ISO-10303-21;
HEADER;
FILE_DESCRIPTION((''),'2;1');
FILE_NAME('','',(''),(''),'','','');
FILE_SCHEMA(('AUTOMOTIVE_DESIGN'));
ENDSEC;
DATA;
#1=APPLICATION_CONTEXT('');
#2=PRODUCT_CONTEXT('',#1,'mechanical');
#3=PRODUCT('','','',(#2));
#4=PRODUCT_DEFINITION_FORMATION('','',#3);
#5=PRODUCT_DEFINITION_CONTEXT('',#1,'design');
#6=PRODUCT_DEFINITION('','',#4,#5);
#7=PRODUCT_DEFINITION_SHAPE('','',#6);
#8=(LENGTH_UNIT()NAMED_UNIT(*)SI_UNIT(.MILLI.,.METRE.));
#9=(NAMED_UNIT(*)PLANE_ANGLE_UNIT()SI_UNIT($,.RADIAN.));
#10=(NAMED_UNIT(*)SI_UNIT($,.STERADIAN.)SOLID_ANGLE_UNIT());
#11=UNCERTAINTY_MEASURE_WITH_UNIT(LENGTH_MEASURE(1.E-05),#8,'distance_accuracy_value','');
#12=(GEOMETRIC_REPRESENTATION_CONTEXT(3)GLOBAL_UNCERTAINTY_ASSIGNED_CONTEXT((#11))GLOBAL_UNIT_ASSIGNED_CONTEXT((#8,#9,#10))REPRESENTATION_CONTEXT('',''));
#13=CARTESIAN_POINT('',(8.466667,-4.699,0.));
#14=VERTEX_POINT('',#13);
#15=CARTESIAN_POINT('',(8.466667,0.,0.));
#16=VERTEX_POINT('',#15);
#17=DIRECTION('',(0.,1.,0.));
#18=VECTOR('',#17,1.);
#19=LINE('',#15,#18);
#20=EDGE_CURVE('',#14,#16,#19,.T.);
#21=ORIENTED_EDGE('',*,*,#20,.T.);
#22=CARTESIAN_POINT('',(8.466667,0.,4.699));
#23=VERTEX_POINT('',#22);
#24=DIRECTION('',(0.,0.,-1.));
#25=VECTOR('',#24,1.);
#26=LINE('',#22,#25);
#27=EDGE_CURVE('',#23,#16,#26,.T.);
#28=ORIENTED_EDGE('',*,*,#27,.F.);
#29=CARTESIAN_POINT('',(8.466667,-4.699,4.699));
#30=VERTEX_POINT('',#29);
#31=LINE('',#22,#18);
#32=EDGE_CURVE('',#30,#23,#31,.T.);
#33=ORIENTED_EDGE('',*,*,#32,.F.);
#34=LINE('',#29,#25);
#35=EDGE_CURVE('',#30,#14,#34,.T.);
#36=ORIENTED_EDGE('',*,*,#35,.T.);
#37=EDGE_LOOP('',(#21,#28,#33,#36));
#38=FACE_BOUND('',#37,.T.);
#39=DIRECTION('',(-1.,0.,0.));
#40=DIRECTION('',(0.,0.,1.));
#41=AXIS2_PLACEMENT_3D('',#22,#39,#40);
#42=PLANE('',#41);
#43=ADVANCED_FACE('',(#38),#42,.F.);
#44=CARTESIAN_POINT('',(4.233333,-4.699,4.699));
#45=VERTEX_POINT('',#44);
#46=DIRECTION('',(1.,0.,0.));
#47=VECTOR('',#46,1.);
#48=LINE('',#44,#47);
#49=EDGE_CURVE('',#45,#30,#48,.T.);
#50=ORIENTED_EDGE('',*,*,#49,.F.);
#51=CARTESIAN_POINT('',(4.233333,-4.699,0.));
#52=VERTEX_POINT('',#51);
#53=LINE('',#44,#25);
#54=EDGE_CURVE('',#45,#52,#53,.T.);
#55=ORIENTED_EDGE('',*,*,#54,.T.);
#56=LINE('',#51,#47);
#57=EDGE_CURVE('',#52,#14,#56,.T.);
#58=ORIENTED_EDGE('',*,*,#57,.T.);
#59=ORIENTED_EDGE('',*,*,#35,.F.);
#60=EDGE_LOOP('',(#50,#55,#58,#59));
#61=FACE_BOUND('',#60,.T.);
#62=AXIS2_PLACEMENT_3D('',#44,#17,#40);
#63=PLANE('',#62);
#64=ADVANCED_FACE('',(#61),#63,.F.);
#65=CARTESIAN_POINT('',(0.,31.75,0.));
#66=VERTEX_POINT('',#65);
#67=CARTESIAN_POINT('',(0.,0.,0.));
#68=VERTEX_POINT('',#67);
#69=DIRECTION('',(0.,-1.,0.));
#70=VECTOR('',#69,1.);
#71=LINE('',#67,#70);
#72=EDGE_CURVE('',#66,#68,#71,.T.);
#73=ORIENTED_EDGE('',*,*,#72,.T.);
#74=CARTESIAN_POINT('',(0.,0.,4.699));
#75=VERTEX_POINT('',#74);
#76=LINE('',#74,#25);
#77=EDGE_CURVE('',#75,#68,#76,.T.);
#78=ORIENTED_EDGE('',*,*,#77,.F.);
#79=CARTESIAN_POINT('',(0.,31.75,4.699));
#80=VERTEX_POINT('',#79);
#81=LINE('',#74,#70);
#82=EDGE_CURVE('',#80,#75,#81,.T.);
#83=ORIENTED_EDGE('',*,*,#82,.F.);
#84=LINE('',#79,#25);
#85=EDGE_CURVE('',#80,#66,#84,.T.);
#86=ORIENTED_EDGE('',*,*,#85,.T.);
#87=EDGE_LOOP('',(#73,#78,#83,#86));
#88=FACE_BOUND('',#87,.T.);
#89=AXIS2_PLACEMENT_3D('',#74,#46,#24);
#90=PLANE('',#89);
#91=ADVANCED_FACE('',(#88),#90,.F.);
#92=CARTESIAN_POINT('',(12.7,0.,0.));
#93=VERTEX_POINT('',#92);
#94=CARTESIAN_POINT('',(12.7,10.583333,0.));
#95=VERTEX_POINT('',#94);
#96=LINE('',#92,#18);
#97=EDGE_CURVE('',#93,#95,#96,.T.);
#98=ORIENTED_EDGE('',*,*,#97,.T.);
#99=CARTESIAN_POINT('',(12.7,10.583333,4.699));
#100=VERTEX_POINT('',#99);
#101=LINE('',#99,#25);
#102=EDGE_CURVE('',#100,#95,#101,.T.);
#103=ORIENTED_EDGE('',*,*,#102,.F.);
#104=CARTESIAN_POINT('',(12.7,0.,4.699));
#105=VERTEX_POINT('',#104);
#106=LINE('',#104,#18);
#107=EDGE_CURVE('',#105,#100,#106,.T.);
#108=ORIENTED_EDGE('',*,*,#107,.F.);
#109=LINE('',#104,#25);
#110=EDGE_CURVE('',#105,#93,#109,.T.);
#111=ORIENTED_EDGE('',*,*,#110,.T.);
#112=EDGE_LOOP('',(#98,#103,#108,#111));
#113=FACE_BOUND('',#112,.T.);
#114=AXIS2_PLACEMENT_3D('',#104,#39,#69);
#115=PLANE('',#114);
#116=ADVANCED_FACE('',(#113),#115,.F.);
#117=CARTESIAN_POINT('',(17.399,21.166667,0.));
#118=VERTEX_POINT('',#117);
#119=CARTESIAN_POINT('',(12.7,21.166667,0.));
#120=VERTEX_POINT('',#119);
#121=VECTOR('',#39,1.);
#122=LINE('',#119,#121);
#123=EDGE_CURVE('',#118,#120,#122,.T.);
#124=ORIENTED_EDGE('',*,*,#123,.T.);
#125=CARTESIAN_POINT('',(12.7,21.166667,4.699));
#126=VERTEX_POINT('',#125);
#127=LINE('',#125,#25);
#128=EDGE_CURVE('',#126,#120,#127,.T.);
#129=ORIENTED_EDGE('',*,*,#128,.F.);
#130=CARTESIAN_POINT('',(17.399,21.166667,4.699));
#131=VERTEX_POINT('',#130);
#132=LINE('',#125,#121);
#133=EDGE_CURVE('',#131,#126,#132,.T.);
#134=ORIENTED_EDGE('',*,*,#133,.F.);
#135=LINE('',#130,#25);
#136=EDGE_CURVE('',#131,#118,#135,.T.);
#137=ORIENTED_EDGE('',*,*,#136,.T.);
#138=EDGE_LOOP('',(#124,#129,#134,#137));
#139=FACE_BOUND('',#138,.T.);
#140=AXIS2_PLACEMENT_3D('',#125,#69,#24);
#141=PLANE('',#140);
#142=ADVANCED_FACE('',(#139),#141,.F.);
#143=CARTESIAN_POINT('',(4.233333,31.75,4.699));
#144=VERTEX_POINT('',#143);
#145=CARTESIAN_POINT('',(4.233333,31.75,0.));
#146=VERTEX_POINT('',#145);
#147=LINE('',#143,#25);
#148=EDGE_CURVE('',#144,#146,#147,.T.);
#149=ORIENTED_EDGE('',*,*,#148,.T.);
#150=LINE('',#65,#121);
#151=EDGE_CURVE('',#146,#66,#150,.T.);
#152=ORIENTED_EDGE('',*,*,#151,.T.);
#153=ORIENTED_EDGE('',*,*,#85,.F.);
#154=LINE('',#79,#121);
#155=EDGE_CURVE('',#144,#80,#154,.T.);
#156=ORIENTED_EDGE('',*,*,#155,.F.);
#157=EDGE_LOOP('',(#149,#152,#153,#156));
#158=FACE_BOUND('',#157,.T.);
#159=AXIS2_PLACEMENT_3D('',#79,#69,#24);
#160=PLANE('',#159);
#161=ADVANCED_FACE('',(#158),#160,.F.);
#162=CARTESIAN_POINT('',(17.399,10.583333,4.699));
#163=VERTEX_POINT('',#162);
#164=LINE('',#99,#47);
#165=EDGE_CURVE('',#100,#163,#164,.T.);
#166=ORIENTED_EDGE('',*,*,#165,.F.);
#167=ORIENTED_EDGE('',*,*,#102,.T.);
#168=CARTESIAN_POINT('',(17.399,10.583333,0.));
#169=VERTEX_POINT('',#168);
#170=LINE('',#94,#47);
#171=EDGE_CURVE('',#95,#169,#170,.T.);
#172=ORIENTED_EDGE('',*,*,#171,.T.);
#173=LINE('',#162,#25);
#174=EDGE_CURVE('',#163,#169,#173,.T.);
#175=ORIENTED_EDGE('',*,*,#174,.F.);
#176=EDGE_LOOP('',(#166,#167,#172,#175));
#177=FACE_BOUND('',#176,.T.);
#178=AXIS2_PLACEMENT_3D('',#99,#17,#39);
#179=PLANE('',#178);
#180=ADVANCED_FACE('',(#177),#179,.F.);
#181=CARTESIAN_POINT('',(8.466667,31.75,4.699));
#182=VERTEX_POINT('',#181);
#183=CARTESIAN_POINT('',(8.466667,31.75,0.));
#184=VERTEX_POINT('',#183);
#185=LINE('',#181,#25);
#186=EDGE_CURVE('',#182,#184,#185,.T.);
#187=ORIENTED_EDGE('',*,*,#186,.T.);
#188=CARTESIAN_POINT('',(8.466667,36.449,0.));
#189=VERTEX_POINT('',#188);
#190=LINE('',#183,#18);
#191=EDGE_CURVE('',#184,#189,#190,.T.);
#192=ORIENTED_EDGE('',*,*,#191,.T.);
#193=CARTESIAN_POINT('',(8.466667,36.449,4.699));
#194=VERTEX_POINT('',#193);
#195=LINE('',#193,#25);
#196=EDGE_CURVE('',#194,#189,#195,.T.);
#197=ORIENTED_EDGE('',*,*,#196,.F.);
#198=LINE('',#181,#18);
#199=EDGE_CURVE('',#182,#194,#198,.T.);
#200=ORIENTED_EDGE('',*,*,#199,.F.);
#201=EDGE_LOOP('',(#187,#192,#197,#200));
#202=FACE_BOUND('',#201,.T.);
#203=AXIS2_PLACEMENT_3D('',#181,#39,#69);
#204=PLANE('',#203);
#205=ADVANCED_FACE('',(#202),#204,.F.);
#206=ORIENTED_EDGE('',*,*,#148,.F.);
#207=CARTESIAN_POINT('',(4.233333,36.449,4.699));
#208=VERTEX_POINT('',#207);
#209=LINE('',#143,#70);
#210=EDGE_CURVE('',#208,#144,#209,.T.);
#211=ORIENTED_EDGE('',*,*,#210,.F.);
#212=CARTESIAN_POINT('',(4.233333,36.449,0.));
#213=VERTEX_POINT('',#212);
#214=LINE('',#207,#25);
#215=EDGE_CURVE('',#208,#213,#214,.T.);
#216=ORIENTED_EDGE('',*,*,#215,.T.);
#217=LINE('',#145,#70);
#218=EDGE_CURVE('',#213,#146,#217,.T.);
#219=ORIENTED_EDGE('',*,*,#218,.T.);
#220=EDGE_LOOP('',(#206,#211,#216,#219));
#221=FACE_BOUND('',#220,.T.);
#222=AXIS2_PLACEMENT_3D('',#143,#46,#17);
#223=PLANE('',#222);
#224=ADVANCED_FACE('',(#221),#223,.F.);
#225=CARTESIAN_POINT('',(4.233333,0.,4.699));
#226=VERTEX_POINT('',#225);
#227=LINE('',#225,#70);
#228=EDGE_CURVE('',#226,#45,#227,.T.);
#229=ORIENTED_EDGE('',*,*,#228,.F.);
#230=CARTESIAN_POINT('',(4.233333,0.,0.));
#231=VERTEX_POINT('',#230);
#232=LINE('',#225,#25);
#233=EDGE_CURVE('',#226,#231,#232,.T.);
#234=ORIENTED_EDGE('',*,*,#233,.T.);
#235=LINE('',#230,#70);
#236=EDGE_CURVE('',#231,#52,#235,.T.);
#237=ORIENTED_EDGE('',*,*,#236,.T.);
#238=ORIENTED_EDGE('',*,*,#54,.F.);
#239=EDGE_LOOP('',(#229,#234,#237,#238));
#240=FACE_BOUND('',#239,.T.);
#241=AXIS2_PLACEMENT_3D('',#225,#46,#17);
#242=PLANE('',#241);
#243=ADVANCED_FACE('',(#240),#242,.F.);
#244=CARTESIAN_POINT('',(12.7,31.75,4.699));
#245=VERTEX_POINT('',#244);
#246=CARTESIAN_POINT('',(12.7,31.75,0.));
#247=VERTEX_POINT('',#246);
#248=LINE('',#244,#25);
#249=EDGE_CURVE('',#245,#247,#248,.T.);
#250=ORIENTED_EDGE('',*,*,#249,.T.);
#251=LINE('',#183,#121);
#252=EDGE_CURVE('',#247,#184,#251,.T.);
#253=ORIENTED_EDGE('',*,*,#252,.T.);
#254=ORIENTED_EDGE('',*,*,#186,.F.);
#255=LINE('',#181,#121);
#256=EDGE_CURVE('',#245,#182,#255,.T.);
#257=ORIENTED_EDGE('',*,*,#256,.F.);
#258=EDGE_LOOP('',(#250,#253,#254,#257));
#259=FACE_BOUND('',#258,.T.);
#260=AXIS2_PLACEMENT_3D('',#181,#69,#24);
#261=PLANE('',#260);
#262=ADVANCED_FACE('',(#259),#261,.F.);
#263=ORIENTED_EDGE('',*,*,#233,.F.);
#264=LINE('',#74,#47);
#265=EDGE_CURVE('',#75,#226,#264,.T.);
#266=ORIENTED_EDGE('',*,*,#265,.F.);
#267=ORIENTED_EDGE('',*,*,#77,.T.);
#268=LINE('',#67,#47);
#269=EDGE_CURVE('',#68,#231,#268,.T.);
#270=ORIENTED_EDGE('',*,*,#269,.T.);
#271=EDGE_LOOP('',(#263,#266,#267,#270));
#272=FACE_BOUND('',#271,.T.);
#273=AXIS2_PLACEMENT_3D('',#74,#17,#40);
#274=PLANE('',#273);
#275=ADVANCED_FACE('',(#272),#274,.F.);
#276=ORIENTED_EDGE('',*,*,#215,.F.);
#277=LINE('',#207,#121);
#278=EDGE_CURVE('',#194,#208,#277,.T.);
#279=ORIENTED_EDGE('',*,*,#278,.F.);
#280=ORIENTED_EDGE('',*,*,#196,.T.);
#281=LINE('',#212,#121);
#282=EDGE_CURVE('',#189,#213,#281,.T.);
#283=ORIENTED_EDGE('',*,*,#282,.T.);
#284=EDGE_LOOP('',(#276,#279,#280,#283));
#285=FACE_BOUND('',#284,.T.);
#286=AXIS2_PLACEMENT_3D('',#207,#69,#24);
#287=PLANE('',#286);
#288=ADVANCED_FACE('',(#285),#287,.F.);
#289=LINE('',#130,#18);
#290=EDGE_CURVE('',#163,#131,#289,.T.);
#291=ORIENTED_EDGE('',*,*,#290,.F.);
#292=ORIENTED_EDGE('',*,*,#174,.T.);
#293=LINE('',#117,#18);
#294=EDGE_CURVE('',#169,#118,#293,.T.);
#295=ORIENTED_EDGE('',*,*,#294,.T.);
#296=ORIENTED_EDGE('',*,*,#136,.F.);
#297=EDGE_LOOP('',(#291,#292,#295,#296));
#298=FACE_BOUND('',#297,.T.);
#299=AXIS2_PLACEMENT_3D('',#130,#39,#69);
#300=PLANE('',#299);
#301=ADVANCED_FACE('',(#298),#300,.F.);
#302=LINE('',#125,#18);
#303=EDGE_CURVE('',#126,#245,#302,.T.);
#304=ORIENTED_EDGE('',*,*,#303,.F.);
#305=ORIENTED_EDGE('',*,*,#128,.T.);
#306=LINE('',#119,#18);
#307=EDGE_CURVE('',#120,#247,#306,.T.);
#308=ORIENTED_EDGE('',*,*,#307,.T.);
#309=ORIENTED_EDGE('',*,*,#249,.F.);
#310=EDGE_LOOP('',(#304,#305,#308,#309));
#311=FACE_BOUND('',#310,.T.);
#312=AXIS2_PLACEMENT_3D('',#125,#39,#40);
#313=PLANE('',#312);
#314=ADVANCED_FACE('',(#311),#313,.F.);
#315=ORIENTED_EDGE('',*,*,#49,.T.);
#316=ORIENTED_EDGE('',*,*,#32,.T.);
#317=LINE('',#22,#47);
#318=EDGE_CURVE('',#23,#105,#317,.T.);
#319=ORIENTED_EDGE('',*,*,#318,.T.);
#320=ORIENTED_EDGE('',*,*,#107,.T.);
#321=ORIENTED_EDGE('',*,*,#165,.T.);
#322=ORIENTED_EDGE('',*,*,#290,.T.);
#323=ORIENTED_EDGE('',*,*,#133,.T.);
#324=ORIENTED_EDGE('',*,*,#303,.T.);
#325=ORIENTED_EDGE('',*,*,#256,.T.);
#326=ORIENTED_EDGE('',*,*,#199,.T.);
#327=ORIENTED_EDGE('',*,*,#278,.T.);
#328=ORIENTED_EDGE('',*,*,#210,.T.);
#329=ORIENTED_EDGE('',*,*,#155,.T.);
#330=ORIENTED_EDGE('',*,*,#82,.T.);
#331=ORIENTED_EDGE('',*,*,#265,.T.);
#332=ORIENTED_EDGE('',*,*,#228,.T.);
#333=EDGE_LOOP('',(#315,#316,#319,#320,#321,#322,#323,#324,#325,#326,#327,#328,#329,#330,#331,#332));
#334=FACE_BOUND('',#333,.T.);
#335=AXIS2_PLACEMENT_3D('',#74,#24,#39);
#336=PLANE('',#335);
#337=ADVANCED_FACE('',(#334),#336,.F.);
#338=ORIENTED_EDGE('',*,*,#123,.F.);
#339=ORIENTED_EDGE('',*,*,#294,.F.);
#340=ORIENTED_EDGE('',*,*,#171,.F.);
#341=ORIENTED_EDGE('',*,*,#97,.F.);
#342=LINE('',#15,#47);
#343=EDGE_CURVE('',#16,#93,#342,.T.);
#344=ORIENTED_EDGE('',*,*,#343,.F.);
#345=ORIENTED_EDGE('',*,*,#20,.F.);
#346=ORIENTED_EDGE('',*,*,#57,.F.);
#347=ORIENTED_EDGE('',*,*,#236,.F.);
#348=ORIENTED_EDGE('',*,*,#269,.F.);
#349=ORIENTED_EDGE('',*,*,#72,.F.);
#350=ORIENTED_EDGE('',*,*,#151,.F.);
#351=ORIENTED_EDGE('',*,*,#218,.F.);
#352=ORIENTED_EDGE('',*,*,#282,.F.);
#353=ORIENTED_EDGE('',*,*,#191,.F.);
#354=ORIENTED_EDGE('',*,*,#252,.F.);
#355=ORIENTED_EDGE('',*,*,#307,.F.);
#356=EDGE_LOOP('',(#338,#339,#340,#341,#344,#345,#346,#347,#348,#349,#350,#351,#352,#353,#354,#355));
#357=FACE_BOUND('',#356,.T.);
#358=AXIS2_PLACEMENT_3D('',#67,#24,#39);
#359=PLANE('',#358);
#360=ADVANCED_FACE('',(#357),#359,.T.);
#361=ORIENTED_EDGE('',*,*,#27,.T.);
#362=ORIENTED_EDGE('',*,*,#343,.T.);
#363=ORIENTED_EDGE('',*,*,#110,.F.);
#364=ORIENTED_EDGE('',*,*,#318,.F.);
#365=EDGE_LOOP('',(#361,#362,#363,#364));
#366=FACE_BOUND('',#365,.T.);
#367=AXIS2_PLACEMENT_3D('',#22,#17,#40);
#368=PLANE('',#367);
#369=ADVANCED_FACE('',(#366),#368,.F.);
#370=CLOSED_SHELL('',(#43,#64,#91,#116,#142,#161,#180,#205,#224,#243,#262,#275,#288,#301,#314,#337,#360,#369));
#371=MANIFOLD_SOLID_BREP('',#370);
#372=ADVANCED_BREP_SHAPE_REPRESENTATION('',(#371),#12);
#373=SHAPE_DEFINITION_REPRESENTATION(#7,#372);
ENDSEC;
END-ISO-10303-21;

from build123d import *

# Parameters (mm, degrees)
BOSS_EXTRUDE1_DEPTH = 4.699


with BuildPart() as part:
    # Sketch1 → Boss-Extrude1 (new body)
    with BuildSketch(Plane.XY):
        Polygon((8.466666667, 31.75), (12.7, 31.75), (12.7, 21.166666667), (17.399, 21.166666667), (17.399, 10.583333333), (12.7, 10.583333333), (12.7, 0), (8.466666667, 0), (8.466666667, -4.699), (4.233333333, -4.699), (4.233333333, 0), (0, 0), (0, 31.75), (4.233333333, 31.75), (4.233333333, 36.449), (8.466666667, 36.449), align=None)
    extrude(amount=BOSS_EXTRUDE1_DEPTH)


solid = part.part
